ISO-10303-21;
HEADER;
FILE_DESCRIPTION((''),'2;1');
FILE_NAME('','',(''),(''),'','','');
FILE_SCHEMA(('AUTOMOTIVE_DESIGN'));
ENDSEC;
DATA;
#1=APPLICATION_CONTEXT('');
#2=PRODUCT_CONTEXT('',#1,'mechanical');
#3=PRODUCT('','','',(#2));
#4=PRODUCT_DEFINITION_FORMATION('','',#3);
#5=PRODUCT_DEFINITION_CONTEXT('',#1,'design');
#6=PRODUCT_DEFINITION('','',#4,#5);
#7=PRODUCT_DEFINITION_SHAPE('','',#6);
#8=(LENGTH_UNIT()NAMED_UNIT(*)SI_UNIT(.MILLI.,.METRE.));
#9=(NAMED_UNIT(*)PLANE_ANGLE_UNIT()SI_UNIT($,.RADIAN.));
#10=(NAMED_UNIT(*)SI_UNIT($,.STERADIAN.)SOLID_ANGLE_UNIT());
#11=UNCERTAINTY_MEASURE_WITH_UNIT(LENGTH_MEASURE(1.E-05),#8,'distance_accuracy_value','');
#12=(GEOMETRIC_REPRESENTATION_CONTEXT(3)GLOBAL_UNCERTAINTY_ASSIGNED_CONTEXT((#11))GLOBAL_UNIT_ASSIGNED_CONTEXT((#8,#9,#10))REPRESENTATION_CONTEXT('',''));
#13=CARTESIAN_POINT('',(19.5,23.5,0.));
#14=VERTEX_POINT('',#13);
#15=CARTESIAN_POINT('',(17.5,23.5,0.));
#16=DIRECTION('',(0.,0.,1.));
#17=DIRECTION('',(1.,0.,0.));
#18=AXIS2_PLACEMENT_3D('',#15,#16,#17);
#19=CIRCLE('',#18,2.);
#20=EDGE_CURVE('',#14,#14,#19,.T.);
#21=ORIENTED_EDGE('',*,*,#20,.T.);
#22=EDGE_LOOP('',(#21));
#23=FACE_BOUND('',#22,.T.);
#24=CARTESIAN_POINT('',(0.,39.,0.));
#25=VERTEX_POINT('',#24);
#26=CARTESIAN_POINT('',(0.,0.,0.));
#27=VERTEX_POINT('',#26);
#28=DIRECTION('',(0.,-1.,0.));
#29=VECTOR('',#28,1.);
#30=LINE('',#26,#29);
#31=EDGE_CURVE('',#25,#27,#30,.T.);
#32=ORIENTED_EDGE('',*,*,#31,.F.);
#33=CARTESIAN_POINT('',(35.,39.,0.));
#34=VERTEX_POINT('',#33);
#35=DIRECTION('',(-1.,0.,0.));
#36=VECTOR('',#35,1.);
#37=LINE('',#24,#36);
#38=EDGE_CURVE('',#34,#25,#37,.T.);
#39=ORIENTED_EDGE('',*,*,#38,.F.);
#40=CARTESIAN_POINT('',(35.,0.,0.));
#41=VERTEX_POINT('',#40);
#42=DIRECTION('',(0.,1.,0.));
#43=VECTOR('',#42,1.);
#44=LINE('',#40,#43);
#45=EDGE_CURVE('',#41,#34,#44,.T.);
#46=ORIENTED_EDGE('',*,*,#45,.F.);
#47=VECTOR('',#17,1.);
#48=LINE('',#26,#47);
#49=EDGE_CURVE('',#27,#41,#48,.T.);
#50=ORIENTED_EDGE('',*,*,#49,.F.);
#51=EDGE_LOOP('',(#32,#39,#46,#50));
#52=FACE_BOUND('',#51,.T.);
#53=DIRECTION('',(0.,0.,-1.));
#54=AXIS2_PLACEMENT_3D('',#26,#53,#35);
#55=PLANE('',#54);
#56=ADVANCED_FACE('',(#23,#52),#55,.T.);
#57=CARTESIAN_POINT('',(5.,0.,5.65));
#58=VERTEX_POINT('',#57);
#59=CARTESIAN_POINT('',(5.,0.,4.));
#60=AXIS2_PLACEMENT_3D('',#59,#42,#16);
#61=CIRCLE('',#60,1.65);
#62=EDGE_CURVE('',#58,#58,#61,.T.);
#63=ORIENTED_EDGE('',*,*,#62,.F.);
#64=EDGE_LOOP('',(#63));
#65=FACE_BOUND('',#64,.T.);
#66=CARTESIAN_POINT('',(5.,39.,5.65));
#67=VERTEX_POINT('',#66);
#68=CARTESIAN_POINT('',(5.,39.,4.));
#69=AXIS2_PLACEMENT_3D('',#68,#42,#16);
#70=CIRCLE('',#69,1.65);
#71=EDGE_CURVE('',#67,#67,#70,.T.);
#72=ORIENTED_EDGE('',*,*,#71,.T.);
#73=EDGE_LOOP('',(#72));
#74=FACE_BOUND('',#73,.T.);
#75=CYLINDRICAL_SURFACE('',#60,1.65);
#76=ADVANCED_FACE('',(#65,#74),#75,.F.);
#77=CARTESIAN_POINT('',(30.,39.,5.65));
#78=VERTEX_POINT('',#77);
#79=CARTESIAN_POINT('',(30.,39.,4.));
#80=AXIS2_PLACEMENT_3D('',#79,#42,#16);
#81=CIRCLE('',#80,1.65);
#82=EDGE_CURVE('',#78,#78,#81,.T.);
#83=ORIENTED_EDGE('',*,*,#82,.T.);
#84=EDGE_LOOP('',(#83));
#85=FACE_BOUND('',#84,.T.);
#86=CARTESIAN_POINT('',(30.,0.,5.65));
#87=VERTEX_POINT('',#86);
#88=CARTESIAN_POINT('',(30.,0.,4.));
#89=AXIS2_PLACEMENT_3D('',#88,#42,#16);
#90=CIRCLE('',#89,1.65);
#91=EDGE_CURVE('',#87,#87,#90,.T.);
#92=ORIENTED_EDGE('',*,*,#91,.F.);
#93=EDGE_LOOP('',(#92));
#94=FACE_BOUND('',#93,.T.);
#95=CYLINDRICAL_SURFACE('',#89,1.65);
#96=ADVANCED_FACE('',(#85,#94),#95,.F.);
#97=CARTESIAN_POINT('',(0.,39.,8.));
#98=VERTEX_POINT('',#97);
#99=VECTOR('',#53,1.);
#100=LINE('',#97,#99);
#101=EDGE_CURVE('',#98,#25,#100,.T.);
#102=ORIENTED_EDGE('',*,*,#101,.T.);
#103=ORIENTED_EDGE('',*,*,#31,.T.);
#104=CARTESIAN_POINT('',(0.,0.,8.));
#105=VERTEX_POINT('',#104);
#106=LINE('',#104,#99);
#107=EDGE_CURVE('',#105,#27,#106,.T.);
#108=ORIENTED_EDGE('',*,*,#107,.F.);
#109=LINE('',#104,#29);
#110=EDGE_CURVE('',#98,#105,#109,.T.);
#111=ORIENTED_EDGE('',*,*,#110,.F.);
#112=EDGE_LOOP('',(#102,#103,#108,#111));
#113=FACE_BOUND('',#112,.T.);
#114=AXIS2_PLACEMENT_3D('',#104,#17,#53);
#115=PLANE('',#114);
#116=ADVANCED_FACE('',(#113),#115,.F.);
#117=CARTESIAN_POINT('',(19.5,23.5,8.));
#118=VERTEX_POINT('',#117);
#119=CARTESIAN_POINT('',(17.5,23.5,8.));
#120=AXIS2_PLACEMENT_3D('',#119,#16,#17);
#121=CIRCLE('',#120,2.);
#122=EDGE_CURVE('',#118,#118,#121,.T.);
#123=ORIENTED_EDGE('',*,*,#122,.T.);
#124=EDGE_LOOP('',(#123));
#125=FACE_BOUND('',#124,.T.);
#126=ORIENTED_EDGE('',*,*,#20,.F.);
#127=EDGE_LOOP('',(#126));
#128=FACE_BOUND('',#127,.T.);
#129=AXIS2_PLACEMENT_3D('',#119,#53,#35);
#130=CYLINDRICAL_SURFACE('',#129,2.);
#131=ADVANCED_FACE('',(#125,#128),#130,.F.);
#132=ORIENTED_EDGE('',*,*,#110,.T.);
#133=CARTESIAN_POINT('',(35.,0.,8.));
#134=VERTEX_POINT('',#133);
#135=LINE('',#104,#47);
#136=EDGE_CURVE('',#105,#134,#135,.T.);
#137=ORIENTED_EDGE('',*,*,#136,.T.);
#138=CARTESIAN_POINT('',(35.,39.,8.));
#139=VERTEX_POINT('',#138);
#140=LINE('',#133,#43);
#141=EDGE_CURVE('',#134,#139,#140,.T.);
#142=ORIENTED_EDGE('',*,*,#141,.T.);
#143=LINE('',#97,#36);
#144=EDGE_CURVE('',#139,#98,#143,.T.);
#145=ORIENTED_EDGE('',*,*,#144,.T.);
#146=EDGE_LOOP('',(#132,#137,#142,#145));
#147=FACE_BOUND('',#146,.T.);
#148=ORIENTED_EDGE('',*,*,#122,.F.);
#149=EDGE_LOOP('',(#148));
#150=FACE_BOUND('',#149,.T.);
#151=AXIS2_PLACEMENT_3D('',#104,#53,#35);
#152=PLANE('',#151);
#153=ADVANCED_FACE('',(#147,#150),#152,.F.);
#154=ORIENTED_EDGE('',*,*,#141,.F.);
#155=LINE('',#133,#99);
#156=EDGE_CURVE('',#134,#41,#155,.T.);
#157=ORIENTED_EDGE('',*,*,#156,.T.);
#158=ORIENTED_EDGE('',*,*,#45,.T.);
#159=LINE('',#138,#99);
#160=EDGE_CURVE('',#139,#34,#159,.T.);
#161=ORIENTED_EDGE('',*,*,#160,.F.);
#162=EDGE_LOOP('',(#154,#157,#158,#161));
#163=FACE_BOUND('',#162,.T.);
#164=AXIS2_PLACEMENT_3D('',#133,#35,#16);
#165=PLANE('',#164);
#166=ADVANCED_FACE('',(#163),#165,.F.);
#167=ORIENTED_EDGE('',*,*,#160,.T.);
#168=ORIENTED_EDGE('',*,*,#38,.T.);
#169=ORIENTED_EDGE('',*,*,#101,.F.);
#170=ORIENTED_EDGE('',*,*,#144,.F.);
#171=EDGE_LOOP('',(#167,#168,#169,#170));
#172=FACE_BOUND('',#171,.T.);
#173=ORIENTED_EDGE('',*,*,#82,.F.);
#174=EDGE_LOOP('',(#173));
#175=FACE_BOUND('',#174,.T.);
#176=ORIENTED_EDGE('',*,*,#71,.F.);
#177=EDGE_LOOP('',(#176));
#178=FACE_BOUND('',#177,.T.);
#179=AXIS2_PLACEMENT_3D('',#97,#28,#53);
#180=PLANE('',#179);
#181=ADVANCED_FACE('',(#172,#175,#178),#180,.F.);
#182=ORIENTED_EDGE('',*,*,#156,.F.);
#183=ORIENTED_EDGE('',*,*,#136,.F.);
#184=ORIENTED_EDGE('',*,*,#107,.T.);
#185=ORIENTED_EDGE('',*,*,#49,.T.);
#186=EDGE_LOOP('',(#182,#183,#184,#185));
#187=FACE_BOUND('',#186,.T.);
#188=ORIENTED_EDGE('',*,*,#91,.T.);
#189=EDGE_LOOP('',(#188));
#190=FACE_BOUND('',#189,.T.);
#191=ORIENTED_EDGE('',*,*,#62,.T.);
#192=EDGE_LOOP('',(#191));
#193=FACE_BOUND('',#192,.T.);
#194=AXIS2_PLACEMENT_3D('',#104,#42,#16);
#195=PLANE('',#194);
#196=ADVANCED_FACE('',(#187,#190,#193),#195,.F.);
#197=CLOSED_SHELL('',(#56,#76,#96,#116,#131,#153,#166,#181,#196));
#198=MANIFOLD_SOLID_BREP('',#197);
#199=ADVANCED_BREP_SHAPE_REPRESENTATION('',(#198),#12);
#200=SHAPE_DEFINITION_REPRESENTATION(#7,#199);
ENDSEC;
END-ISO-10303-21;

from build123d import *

# Parameters (mm, degrees)
SKETCH_1_W          = 35
SKETCH_1_H          = 39
SKETCH_1_R          = 2
EXTRUDE_1_DEPTH     = 8
SKETCH_2_R          = 1.65
CUT_EXTRUDE_1_DEPTH = 54.009433123


with BuildPart() as part:
    # 草图1 → 凸台-拉伸1 (new body)
    with BuildSketch(Plane.XY):
        with Locations((17.5, 19.5)):
            Rectangle(SKETCH_1_W, SKETCH_1_H)
        with Locations((17.5, 23.5)):
            Circle(SKETCH_1_R, mode=Mode.SUBTRACT)
    extrude(amount=EXTRUDE_1_DEPTH)

    # 草图2 → 切除-拉伸1 (cut, through all)
    with BuildSketch(Plane(origin=(0, 39, 0), x_dir=(1, 0, 0), z_dir=(0, 1, 0))):
        with Locations(Location((5, -4, 0), (0, 0, 270))):
            Circle(SKETCH_2_R)
        with Locations(Location((30, -4, 0), (0, 0, 270))):
            Circle(SKETCH_2_R)
    extrude(amount=-CUT_EXTRUDE_1_DEPTH, mode=Mode.SUBTRACT)


solid = part.part
